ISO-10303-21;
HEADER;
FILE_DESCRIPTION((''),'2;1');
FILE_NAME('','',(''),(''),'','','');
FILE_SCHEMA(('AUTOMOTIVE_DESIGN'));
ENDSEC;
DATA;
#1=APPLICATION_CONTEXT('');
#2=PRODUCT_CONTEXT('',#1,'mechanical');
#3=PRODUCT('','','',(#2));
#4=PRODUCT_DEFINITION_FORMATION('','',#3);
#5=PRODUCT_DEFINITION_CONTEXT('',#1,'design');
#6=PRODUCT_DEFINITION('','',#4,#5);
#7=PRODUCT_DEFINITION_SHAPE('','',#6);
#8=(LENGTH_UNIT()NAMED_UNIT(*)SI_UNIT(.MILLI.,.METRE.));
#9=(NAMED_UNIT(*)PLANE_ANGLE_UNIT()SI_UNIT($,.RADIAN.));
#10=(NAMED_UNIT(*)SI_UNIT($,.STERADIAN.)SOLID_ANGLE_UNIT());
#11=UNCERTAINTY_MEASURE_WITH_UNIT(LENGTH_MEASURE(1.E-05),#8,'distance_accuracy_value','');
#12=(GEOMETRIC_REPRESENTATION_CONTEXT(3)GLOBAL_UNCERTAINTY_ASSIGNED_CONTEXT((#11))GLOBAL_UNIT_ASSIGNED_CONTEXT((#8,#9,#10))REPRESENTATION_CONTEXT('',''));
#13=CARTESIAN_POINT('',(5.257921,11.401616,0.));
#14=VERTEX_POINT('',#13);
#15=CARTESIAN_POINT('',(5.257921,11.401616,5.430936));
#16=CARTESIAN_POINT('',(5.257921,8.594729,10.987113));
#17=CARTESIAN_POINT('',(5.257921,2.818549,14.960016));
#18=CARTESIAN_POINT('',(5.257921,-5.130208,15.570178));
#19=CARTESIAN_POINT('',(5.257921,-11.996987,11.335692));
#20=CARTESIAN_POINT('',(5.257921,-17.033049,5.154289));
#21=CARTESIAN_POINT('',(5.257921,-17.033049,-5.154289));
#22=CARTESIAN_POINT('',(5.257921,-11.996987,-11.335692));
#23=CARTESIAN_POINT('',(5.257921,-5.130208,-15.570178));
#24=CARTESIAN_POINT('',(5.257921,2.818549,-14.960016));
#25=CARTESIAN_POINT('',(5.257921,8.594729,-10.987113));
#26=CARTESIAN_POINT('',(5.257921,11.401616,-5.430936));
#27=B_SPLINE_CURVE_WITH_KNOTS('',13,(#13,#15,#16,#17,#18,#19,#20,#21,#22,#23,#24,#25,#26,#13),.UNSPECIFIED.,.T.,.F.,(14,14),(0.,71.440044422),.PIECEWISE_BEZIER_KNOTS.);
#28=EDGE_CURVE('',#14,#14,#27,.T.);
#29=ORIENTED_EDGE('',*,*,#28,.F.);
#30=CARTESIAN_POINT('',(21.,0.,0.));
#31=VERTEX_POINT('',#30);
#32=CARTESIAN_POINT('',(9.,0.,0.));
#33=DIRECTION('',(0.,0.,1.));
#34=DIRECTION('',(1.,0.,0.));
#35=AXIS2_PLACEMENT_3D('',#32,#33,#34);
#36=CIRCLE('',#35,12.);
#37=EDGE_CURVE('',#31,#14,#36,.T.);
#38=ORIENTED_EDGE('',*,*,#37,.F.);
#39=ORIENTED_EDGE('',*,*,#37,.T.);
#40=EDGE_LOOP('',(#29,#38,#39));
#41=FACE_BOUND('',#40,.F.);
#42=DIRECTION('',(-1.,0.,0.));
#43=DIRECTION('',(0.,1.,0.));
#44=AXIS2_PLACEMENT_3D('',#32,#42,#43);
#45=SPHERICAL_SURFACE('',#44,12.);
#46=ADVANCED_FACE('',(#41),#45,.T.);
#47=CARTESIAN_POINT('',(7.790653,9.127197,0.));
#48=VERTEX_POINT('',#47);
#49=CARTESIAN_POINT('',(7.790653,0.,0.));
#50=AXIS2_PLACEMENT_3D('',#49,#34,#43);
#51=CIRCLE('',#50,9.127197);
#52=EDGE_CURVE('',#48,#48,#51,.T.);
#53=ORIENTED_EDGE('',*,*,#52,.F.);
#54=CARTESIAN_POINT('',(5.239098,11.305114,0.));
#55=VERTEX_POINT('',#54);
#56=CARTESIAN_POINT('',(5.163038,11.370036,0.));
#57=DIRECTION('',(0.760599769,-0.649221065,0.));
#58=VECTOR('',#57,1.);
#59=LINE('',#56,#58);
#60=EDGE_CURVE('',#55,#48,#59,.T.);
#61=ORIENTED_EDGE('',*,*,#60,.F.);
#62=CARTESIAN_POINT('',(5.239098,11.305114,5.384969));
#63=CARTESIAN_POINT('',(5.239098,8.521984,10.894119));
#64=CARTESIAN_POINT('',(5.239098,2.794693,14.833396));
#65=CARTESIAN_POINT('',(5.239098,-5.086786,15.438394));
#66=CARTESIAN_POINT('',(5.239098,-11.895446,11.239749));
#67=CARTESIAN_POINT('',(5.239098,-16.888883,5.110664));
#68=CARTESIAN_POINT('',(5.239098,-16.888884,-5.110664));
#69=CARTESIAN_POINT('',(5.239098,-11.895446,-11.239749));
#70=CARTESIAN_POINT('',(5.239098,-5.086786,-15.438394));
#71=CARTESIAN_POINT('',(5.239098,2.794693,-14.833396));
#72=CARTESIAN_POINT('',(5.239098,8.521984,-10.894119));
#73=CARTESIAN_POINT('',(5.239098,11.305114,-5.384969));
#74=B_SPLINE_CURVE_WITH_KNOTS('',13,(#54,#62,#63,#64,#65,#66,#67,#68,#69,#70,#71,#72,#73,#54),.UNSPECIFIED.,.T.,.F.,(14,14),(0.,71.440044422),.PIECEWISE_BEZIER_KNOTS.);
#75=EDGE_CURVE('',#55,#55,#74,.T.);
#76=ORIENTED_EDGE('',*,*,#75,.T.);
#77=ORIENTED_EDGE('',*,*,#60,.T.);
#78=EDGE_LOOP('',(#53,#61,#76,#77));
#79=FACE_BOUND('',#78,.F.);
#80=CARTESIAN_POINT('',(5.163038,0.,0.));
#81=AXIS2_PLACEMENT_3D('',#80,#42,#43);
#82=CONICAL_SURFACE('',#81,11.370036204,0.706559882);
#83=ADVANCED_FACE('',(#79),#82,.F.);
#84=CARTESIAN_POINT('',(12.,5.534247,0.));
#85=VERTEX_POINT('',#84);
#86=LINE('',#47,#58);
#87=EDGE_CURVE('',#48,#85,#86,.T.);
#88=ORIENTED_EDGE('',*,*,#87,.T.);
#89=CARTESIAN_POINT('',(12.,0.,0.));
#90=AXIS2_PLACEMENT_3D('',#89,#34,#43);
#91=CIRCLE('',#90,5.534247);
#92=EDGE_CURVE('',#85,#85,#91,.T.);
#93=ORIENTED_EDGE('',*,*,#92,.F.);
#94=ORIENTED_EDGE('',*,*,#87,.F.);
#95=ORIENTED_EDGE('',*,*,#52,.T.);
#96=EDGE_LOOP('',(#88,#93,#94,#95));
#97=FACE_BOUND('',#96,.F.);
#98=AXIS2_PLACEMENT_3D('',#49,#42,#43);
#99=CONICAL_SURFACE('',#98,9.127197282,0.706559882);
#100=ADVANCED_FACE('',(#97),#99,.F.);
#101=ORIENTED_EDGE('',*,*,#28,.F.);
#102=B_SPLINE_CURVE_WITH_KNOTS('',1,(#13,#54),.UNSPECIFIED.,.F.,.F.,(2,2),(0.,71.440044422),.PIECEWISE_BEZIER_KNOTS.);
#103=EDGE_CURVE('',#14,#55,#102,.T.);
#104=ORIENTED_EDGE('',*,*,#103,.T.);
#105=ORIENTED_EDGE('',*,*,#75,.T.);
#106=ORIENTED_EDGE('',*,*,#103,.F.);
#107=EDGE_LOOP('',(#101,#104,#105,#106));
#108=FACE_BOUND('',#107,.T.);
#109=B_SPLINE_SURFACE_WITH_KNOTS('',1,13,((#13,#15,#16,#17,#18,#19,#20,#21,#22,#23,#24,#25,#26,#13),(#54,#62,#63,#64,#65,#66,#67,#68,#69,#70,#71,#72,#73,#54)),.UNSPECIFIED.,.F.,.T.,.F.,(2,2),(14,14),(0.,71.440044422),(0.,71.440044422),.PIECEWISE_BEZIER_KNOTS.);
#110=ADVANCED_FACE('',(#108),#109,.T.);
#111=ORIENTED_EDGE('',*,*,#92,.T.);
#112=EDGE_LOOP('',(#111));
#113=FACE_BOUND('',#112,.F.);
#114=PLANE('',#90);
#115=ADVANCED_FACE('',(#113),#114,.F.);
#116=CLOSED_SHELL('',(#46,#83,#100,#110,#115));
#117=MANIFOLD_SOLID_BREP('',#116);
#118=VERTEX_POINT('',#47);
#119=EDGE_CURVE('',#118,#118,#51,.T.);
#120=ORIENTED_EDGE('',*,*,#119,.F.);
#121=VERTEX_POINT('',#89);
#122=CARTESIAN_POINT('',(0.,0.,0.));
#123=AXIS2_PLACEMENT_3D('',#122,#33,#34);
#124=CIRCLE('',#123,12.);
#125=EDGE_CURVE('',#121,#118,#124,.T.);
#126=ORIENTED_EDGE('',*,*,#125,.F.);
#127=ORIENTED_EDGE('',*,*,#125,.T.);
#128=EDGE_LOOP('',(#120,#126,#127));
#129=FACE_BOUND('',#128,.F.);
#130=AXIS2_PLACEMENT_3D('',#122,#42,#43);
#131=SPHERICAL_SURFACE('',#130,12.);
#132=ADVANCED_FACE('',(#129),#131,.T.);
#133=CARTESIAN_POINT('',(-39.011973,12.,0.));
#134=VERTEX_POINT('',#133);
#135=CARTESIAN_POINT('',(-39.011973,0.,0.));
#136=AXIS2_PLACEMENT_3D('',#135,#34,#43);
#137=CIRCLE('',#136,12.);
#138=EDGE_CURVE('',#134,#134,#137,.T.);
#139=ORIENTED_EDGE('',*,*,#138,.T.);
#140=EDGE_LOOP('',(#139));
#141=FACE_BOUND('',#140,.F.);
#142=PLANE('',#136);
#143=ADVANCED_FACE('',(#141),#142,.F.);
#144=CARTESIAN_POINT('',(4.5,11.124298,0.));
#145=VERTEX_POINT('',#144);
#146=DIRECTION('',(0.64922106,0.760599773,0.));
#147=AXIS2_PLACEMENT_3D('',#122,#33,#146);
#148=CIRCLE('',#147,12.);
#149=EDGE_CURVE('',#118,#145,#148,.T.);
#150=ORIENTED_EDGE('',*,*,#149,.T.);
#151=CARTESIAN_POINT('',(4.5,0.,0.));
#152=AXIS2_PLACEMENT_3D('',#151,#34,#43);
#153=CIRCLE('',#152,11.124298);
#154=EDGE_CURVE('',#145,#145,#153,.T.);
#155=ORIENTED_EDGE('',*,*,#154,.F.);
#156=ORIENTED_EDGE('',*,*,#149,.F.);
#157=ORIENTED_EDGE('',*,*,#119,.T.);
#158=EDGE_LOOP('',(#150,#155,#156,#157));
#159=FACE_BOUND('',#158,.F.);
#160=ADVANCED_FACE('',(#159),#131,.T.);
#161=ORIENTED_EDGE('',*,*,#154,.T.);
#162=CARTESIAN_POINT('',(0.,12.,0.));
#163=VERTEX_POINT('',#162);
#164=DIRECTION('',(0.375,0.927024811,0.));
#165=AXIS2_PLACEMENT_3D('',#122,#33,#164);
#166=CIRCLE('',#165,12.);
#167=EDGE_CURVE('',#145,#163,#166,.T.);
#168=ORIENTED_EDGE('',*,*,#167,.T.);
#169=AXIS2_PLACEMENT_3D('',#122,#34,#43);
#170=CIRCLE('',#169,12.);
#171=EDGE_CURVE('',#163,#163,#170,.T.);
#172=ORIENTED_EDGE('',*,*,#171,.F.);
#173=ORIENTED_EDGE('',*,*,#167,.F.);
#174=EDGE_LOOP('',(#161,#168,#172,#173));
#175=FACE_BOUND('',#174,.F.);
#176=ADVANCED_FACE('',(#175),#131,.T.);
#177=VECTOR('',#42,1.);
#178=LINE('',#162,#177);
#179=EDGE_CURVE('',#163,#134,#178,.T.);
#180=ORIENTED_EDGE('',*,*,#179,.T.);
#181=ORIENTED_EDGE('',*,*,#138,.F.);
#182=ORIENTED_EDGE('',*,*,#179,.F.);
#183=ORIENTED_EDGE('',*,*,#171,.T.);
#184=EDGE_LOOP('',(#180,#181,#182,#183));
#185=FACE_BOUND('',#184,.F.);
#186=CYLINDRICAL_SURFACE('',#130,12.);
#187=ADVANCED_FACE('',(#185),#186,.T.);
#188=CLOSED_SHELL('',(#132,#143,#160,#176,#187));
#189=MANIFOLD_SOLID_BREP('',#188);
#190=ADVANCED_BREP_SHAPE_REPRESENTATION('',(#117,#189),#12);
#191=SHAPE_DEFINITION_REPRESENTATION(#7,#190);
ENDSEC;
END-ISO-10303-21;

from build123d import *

# Parameters (mm, degrees)
F3_SIZE = 0.1


with BuildPart() as f1:
    # F0 (on Top) → F1 (revolve)
    with BuildSketch(Plane.XY):
        with BuildLine():
            Line((-39.011973466, 0), (-12, 0))
            ThreePointArc((-12, 0), (-8.4852813742, 8.4852813742), (0, 12))
            Line((0, 12), (-39.011973466, 12))
            Line((-39.011973466, 12), (-39.011973466, 0))
        make_face()
        with BuildLine():
            Line((-12, 0), (-3, 0))
            ThreePointArc((-3, 0), (-0.9498743711, 6.7082039325), (4.5, 11.1242977306))
            ThreePointArc((4.5, 11.1242977306), (2.2922071495, 11.77904013), (0, 12))
            ThreePointArc((0, 12), (-8.4852813742, 8.4852813742), (-12, 0))
        make_face()
        with BuildLine():
            Line((-3, 0), (12, 0))
            ThreePointArc((12, 0), (10.8969682166, 5.0255431236), (7.7906527188, 9.1271972815))
            ThreePointArc((7.7906527188, 9.1271972815), (6.2259247196, 10.2585506474), (4.5, 11.1242977306))
            ThreePointArc((4.5, 11.1242977306), (-0.9498743711, 6.7082039325), (-3, 0))
        make_face()
    revolve(axis=Axis((-1.505986733, 0, 0), (1, 0, 0)))


with BuildPart() as f2:
    # F0 (on Top) → F2 (revolve)
    with BuildSketch(Plane.XY):
        with BuildLine():
            Line((12, 5.5342473054), (12, 0))
            Line((12, 0), (21, 0))
            ThreePointArc((21, 0), (15.9984447223, 9.7479111336), (5.1630380886, 11.3700362045))
            Line((5.1630380886, 11.3700362045), (7.7906527188, 9.1271972815))
            Line((7.7906527188, 9.1271972815), (12, 5.5342473054))
        make_face()
    revolve(axis=Axis((-1.505986733, 0, 0), (1, 0, 0)))

    # F3
    f3_edges = [f2.edges().sort_by_distance(p)[0] for p in [
        (5.163038, -11.370036, 0),
    ]]
    chamfer(f3_edges, length=F3_SIZE)


solid = Compound([f1.part, f2.part])
